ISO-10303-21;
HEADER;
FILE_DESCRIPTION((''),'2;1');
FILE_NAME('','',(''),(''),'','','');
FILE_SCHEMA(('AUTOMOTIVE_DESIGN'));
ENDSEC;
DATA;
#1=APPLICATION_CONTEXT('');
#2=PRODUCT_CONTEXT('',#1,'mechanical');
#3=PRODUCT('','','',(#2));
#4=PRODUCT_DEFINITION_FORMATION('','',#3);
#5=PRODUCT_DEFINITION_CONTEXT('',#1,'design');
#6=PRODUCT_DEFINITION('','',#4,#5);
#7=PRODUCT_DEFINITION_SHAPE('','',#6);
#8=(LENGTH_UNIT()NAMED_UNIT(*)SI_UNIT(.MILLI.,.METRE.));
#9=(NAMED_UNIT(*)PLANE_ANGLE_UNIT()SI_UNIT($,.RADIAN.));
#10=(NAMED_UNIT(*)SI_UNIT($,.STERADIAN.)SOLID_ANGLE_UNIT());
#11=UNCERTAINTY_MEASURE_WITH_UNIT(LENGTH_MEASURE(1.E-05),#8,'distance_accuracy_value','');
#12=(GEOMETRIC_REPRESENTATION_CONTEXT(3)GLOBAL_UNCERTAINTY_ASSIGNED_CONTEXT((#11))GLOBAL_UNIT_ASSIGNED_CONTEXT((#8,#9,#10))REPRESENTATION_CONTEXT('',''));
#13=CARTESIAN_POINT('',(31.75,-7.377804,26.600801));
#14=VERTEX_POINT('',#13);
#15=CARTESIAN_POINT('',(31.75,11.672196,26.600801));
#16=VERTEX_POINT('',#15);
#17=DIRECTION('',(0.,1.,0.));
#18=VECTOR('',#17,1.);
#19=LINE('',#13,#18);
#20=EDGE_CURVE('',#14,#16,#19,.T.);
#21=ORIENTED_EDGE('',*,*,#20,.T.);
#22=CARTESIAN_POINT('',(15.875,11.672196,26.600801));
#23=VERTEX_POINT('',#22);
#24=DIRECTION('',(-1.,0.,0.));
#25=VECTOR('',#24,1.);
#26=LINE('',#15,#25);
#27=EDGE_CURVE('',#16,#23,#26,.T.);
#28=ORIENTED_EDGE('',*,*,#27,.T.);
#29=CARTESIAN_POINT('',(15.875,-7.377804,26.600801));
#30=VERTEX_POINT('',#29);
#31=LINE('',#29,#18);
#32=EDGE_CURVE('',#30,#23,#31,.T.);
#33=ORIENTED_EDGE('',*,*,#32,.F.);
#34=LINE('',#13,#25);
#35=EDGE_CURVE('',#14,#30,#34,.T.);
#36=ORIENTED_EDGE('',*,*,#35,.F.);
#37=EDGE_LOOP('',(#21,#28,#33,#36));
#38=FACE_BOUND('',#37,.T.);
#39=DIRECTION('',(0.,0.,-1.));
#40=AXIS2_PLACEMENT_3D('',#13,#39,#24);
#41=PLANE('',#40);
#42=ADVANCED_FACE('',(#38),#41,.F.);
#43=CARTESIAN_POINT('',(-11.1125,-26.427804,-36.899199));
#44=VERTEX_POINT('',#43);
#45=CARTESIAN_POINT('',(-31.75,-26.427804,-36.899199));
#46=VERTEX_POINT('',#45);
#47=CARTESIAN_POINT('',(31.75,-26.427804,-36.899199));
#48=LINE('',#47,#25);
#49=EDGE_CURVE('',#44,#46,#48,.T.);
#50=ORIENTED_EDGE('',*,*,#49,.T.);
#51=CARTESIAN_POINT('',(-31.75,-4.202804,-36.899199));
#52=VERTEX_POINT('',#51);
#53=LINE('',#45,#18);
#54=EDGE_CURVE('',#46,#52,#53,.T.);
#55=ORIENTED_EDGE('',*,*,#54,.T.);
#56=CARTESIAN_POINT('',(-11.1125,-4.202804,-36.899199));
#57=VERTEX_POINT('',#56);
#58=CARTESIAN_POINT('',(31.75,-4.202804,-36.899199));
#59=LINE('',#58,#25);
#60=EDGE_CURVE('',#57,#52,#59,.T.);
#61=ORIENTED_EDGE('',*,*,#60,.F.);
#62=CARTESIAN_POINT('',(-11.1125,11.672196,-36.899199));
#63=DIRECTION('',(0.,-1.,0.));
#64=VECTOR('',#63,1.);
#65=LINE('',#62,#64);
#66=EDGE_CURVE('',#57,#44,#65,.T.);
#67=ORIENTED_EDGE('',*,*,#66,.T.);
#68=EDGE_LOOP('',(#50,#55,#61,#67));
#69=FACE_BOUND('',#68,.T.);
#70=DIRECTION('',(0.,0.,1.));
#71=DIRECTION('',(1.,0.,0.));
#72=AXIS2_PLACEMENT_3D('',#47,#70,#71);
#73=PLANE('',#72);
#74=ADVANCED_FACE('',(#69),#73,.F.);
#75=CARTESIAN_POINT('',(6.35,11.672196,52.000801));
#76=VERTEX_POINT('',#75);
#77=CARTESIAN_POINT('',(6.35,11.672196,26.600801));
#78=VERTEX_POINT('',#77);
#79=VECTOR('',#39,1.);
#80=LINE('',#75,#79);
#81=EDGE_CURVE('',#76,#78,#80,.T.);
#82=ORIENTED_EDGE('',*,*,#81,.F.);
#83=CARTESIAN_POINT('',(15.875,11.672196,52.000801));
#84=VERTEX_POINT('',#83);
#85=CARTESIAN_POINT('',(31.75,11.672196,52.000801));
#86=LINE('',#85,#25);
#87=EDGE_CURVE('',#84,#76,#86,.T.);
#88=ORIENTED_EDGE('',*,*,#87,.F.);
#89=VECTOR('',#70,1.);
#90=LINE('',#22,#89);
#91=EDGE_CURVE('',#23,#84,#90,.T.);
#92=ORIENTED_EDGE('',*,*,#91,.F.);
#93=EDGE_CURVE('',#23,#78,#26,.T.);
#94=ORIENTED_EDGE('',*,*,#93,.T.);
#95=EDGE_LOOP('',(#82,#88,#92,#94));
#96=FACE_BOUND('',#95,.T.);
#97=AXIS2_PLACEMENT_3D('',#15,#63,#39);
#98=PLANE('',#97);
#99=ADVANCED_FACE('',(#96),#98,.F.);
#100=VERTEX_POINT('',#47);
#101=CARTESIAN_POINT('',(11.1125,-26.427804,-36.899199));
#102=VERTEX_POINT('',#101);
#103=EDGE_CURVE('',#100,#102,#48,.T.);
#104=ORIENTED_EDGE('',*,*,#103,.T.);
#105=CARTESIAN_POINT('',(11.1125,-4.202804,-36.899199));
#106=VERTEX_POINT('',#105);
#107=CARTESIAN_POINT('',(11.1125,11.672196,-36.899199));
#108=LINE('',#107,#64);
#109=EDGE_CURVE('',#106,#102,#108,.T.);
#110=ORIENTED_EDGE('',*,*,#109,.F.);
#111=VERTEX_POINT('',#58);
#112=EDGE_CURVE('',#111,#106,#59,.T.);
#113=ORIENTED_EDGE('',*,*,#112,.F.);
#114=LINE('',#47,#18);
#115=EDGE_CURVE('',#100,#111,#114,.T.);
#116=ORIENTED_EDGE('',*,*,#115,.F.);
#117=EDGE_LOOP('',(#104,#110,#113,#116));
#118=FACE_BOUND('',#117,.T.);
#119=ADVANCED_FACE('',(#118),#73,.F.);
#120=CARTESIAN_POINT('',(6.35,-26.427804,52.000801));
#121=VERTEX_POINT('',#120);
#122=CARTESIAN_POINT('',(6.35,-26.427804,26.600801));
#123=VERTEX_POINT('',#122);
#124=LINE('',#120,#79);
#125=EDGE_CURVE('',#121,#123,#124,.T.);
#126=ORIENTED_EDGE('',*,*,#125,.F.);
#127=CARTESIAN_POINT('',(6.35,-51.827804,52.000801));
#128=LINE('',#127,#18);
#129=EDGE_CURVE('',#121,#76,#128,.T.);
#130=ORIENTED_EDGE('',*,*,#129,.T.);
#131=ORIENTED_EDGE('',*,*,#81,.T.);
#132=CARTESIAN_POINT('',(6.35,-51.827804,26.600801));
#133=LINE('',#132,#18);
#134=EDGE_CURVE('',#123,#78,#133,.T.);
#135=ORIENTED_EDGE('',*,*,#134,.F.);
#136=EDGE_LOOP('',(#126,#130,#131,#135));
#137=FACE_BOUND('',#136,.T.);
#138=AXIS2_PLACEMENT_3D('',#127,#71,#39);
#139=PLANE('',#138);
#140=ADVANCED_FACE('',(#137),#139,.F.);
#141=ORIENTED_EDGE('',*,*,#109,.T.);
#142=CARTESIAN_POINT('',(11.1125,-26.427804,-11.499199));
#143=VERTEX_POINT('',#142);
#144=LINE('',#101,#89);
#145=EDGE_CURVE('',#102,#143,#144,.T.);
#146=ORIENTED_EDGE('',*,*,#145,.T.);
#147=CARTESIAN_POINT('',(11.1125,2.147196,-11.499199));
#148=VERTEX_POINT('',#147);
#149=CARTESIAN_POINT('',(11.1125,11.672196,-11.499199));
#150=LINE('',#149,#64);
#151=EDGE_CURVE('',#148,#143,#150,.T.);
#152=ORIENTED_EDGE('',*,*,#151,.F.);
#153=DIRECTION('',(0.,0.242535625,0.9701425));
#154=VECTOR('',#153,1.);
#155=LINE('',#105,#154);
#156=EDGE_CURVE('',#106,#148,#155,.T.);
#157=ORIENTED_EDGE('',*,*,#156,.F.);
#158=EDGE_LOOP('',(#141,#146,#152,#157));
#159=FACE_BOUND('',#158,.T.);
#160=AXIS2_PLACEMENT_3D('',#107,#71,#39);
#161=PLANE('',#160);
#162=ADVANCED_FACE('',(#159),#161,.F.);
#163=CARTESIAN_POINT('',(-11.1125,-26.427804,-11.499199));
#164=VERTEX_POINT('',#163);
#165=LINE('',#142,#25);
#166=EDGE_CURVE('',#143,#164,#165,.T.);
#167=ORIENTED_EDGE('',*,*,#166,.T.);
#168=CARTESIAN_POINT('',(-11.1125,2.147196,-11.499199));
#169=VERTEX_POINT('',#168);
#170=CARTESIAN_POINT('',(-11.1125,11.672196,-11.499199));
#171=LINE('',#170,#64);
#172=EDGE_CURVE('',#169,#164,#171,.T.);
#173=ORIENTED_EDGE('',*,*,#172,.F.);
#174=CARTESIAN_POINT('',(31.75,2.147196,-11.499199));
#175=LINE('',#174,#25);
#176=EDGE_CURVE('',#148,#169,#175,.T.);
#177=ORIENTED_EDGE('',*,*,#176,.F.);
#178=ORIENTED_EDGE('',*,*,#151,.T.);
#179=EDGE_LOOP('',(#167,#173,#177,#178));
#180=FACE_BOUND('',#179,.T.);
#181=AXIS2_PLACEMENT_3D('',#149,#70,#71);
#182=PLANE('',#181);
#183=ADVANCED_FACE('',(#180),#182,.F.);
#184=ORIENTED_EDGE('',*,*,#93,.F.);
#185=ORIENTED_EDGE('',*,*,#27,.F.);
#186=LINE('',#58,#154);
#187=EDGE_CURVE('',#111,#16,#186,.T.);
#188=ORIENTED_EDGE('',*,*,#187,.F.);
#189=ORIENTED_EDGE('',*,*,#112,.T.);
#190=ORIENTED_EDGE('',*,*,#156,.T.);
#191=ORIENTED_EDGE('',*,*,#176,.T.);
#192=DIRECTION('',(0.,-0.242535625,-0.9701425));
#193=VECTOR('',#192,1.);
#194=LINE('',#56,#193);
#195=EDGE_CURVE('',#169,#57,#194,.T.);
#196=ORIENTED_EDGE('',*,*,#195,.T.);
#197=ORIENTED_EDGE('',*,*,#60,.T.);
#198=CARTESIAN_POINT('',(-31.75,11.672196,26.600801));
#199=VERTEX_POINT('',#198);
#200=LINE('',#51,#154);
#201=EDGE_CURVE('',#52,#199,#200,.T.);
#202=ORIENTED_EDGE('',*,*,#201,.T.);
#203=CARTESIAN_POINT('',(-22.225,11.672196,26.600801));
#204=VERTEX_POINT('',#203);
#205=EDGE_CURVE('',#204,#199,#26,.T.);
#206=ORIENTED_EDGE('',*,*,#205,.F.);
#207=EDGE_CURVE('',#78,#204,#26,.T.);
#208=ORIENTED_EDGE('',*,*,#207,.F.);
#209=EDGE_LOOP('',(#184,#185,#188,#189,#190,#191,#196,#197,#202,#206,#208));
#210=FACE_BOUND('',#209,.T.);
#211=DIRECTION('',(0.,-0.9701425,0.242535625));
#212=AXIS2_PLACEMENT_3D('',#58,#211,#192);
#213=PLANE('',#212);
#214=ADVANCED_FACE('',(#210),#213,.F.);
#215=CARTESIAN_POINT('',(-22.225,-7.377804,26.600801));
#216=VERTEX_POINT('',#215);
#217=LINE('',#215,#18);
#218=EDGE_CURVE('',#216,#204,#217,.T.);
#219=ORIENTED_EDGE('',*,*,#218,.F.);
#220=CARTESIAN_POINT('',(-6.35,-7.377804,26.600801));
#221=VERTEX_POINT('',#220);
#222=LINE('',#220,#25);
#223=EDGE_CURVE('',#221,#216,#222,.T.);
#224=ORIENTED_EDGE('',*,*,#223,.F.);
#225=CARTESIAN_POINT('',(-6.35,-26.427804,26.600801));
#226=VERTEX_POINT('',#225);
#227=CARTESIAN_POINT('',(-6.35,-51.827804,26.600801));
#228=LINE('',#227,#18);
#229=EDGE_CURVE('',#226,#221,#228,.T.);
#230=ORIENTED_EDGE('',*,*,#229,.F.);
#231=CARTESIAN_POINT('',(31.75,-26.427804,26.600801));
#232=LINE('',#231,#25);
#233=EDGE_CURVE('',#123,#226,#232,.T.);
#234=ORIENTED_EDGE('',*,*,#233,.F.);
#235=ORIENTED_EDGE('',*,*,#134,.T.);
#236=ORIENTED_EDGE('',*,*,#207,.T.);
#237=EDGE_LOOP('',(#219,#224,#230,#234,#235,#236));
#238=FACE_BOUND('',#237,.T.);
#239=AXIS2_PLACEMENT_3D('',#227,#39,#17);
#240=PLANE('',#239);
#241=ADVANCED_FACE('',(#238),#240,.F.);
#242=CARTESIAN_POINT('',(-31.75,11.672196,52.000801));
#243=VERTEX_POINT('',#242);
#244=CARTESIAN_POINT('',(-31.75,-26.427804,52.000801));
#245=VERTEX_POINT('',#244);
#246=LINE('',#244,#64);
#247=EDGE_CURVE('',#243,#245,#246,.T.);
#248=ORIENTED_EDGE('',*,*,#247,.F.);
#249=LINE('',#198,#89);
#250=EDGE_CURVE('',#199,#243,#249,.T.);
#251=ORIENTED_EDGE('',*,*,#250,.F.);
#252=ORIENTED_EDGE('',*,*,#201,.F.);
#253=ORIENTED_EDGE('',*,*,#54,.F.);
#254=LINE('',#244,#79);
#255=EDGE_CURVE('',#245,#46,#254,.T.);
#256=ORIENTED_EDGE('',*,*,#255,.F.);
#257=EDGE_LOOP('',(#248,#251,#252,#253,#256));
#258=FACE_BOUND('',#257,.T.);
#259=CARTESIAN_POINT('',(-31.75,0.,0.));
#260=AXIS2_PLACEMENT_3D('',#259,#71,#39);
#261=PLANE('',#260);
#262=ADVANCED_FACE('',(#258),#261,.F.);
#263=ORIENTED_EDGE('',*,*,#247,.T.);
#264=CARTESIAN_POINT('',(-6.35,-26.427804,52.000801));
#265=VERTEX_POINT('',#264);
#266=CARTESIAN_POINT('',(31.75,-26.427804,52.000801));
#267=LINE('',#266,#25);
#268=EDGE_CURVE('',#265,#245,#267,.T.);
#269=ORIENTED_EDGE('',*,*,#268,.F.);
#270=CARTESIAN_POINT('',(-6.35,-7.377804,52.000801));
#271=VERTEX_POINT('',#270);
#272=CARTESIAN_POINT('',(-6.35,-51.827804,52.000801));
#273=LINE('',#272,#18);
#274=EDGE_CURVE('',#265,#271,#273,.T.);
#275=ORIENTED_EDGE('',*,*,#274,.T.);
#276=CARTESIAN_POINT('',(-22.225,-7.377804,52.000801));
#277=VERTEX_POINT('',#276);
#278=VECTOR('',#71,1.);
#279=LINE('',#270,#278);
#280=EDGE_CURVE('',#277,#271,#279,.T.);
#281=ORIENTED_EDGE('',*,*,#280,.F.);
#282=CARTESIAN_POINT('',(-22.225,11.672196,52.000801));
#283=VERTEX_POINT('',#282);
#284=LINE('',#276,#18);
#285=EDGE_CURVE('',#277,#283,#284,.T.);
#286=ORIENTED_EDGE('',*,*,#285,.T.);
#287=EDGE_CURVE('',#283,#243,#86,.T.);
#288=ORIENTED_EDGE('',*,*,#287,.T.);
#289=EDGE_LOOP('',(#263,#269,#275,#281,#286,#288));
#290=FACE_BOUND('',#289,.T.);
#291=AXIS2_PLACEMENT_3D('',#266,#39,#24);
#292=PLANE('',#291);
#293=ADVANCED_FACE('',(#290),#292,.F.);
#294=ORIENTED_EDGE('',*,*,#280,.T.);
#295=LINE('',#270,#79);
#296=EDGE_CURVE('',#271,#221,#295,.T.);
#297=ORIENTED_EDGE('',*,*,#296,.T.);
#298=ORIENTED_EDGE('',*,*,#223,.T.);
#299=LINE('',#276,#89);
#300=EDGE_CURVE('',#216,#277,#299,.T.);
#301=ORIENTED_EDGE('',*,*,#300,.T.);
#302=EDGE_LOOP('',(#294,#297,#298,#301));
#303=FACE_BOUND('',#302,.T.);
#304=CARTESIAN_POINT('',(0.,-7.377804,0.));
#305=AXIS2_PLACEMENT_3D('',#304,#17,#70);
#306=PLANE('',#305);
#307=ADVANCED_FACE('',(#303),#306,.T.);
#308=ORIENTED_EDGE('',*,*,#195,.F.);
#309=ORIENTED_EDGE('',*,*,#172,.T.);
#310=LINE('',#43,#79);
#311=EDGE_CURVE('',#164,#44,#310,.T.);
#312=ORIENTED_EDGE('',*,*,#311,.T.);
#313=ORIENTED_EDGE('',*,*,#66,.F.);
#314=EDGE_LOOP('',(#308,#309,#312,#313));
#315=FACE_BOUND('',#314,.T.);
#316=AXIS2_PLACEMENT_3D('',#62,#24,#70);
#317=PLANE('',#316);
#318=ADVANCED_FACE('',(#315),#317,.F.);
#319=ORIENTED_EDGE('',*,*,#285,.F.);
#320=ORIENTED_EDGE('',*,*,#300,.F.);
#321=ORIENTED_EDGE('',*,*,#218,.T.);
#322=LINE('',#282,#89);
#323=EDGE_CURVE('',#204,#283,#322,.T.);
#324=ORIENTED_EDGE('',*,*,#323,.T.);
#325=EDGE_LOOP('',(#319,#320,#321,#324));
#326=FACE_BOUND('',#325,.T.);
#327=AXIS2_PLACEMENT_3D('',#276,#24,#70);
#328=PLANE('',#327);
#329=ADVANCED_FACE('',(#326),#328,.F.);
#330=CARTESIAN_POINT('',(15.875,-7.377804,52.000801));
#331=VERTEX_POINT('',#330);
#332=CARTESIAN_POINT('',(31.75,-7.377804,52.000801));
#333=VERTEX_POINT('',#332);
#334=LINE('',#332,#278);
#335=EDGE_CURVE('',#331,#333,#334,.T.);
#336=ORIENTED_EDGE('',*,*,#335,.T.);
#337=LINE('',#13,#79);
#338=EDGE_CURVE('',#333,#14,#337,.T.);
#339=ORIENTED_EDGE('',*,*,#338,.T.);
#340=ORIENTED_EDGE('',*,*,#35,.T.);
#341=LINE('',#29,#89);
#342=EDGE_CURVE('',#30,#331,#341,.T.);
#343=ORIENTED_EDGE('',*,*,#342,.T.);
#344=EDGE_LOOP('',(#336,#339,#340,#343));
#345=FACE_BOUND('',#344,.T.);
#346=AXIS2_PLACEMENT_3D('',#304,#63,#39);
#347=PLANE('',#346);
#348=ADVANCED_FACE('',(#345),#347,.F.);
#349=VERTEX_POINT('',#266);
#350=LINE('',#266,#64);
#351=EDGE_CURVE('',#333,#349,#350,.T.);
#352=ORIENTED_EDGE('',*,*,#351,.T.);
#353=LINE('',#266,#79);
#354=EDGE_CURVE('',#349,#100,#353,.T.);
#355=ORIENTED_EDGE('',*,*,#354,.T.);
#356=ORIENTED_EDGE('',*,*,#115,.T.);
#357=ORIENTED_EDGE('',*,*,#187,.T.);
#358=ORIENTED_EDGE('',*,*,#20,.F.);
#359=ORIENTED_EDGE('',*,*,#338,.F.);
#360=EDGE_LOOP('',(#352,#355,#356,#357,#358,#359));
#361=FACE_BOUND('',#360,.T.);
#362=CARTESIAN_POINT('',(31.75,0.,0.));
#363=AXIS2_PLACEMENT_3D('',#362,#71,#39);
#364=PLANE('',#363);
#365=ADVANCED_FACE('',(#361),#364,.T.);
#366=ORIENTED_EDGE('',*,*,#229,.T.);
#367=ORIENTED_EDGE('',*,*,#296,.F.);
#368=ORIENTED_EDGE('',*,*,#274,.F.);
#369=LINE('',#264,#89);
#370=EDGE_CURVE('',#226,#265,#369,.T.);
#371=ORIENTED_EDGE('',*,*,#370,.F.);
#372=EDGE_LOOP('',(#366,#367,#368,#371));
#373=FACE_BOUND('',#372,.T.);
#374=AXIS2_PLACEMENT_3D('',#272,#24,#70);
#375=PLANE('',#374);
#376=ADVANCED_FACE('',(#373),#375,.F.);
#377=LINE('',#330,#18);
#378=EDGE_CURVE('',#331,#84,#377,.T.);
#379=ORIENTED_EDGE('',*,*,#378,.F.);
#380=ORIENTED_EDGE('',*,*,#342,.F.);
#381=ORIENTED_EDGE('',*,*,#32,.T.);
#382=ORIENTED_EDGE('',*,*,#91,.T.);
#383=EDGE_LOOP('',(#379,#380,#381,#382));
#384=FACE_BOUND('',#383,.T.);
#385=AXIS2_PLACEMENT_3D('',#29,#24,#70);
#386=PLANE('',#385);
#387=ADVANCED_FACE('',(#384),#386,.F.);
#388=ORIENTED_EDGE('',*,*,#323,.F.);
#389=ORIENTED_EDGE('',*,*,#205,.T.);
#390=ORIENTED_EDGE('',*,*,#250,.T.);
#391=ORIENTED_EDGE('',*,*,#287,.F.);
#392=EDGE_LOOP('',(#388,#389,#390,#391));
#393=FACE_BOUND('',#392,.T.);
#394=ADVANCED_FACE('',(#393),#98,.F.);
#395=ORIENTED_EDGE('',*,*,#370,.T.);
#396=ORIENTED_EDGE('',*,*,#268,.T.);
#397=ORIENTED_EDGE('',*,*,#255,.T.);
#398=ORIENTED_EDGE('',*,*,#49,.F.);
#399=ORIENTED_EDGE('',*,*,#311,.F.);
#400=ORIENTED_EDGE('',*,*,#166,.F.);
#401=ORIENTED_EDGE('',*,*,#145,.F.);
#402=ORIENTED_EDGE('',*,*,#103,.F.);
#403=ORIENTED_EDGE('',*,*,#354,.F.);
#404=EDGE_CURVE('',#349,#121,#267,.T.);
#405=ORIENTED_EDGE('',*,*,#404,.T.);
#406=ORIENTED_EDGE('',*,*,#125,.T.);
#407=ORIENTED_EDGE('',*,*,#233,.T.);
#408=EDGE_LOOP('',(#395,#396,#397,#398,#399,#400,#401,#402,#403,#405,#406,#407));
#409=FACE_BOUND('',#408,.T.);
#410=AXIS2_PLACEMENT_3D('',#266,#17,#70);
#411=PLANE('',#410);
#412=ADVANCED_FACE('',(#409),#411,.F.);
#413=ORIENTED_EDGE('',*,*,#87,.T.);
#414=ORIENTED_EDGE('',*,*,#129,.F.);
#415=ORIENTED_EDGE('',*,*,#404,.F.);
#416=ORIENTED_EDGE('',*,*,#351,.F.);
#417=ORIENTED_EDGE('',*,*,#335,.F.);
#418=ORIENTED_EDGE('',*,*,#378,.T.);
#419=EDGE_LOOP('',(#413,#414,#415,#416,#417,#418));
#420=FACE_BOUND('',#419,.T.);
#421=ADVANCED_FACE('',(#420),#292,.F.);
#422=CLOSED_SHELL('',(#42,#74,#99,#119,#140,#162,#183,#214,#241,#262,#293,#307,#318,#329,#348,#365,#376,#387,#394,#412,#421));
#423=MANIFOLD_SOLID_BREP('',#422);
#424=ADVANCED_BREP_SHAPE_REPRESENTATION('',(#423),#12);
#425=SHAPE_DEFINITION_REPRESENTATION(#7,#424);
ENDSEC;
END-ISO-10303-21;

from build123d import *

# Parameters (mm, degrees)
BOSS_EXTRUDE1_DEPTH = 31.75
SKETCH2_W           = 12.7
SKETCH2_H           = 25.4
CUT_EXTRUDE1_DEPTH  = 63.5
SKETCH3_W           = 15.875
SKETCH3_H           = 25.4
CUT_EXTRUDE2_DEPTH  = 19.05
SKETCH4_W           = 22.225
SKETCH4_H           = 25.4
CUT_EXTRUDE3_DEPTH  = 39.1


with BuildPart() as part:
    # Sketch1 → Boss-Extrude1 (new body, symmetric)
    with BuildSketch(Plane(origin=(0, 0, 0), x_dir=(0, 0, -1), z_dir=(1, 0, 0))):
        Polygon((-52.000801282, -26.427804487), (36.899198718, -26.427804487), (36.899198718, -4.202804487), (-26.600801282, 11.672195513), (-52.000801282, 11.672195513), align=None)
    extrude(amount=BOSS_EXTRUDE1_DEPTH, both=True)

    # Sketch2 → Cut-Extrude1 (cut)
    with BuildSketch(Plane(origin=(0, 11.672195513, 0), x_dir=(1, 0, 0), z_dir=(0, 1, 0))):
        with Locations((0, -39.300801282)):
            Rectangle(SKETCH2_W, SKETCH2_H)
    extrude(amount=-CUT_EXTRUDE1_DEPTH, mode=Mode.SUBTRACT)

    # Sketch3 → Cut-Extrude2 (cut)
    with BuildSketch(Plane(origin=(0, 11.672195513, 0), x_dir=(1, 0, 0), z_dir=(0, 1, 0))):
        with Locations((23.8125, -39.300801282)):
            Rectangle(SKETCH3_W, SKETCH3_H)
        with Locations((-14.2875, -39.300801282)):
            Rectangle(SKETCH3_W, SKETCH3_H)
    extrude(amount=-CUT_EXTRUDE2_DEPTH, mode=Mode.SUBTRACT)

    # Sketch4 → Cut-Extrude3 (cut, through all)
    with BuildSketch(Plane.XZ.offset(26.427804487)):
        with Locations((0, -24.199198718)):
            Rectangle(SKETCH4_W, SKETCH4_H)
    extrude(amount=-CUT_EXTRUDE3_DEPTH, mode=Mode.SUBTRACT)


solid = part.part
